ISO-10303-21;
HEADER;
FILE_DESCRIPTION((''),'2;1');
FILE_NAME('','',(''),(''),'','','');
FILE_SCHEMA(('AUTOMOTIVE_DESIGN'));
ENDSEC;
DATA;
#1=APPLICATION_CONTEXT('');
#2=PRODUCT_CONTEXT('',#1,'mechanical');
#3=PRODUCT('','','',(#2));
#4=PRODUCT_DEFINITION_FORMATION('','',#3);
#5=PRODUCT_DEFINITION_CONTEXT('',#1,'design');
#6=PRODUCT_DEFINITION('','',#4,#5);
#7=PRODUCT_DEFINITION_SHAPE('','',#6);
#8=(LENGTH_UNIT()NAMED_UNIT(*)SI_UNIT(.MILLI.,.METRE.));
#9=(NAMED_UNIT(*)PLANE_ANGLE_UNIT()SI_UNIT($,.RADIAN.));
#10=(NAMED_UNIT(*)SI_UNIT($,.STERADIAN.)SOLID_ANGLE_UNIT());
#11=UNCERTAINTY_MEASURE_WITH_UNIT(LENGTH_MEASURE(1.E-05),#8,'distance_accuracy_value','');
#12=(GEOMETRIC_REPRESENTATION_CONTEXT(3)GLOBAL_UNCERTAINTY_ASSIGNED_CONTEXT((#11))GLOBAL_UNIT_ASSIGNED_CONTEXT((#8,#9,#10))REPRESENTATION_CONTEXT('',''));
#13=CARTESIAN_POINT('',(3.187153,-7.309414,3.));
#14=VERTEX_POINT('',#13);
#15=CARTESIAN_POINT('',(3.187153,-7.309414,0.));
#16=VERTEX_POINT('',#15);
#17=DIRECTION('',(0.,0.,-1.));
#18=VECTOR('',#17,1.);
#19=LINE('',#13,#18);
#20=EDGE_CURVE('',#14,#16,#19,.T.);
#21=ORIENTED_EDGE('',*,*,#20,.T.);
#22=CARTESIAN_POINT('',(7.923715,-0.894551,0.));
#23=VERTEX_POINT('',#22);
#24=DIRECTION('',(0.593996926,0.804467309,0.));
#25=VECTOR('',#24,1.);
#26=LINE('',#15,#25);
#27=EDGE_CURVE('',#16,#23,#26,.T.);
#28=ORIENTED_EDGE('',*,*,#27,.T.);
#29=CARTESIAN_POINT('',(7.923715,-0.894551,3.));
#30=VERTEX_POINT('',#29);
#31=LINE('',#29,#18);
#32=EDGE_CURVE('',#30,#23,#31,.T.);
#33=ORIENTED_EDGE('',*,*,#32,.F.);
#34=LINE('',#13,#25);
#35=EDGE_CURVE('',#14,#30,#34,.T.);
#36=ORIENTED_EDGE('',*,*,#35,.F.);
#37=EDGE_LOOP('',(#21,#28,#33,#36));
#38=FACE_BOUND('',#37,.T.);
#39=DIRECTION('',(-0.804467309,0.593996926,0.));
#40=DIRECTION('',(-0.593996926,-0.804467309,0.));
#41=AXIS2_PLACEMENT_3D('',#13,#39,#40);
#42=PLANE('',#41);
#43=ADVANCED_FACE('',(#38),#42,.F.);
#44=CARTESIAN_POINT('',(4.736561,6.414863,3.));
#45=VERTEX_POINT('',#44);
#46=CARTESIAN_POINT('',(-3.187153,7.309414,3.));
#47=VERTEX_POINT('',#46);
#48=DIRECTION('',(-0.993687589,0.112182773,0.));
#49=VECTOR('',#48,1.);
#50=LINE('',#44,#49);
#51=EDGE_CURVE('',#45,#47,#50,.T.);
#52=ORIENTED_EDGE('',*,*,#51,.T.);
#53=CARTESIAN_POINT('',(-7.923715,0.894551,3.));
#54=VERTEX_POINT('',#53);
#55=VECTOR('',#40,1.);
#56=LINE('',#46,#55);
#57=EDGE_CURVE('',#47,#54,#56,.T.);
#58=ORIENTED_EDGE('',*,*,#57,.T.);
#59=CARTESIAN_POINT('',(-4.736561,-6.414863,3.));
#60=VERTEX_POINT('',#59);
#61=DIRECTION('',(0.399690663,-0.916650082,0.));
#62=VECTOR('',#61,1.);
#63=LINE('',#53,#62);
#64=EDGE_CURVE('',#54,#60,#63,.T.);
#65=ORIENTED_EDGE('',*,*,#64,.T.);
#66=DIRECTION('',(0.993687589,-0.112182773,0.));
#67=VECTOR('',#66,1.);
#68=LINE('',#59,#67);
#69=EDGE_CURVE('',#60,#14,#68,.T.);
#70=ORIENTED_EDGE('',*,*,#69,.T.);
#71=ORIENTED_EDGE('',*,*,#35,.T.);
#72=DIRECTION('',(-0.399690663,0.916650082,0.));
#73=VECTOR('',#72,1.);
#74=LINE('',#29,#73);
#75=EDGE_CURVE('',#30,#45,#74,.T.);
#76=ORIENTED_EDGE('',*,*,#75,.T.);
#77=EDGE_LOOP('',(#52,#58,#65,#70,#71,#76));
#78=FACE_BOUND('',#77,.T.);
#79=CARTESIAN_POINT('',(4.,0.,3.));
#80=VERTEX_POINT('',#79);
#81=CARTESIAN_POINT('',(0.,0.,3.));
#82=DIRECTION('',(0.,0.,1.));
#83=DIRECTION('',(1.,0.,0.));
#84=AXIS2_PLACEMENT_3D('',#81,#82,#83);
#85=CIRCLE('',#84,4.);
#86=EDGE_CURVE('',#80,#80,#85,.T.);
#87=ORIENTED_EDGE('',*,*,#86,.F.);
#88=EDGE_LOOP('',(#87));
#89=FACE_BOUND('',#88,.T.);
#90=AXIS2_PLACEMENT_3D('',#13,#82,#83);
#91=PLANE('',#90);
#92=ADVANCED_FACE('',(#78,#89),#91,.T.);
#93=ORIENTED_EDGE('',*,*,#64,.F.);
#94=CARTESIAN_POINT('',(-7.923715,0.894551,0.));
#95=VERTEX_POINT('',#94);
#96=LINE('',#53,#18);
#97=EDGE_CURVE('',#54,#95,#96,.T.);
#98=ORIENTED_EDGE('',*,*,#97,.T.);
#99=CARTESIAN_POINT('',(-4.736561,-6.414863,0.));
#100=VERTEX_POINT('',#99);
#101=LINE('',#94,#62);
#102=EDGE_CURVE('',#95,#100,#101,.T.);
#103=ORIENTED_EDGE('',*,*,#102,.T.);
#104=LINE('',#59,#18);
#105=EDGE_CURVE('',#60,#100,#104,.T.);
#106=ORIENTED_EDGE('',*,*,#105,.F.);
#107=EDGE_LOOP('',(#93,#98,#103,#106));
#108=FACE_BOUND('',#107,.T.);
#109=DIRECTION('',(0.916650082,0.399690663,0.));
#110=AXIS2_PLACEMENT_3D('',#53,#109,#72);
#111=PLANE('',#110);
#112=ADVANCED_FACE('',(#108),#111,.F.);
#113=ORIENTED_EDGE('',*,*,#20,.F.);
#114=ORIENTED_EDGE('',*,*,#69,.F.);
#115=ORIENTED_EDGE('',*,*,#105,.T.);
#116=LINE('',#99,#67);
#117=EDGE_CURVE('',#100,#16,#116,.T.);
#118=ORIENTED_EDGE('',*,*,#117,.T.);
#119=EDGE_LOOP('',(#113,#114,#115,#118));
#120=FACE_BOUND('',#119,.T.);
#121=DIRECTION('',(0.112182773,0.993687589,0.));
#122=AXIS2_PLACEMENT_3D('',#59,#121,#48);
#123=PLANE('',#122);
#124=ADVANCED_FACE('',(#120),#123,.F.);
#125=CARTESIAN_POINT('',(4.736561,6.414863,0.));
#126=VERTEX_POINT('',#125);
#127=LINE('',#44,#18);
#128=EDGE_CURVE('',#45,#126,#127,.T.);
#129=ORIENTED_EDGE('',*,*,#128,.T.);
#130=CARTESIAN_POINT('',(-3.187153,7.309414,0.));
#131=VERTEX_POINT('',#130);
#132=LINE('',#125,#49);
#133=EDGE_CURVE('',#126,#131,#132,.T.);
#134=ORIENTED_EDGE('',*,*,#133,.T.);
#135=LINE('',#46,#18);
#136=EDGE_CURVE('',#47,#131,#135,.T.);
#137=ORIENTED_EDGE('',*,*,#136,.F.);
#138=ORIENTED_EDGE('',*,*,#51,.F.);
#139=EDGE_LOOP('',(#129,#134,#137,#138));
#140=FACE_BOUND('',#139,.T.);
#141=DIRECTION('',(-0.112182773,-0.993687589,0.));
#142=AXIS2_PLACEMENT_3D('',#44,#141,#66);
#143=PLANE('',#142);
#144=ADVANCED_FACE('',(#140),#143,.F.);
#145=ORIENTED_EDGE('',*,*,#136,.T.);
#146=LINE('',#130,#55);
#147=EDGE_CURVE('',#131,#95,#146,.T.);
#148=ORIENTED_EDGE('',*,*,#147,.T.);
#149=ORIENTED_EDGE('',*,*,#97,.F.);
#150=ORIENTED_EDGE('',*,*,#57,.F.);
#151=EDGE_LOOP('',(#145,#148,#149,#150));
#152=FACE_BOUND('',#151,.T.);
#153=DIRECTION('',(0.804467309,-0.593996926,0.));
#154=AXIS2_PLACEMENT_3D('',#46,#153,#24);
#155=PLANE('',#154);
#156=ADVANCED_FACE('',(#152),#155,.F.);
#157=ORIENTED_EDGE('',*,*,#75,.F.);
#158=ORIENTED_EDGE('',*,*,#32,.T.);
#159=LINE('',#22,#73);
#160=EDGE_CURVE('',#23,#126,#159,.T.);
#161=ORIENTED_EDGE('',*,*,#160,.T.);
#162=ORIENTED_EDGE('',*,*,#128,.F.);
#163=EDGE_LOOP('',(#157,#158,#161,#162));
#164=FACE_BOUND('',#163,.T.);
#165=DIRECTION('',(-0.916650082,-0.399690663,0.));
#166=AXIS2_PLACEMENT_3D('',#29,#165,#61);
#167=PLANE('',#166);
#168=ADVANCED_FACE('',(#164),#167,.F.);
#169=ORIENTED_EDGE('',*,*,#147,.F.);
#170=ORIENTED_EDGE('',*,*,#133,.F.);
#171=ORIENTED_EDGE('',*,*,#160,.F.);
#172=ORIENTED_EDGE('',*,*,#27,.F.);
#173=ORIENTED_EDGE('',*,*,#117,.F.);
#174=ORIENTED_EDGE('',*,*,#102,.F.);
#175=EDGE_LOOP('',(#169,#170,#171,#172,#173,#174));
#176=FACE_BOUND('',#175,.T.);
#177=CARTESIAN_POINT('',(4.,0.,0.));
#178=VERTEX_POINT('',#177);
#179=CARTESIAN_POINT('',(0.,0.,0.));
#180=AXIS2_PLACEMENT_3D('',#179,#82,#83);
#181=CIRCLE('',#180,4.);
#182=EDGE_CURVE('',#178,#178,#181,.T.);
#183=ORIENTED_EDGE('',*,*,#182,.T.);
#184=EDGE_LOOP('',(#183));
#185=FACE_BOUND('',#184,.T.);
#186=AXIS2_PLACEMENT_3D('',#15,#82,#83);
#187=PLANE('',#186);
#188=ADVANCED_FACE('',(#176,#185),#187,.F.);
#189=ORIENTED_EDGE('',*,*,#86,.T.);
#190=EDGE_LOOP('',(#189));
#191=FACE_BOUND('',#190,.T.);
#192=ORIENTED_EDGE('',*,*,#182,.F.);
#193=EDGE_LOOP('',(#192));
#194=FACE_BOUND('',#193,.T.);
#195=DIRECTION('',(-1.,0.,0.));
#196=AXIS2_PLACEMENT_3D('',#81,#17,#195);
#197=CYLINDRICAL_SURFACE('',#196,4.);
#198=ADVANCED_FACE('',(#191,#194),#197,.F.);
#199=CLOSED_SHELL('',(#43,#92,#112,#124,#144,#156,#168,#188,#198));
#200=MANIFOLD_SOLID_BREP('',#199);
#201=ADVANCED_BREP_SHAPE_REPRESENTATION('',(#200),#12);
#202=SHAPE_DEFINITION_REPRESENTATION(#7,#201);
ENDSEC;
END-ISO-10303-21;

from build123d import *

# Parameters (mm, degrees)
SKETCH_1_R      = 4
EXTRUDE_2_DEPTH = 3


with BuildPart() as part:
    # 草图1 → 凸台-拉伸2 (new body)
    with BuildSketch(Plane.XY):
        Polygon((3.187153464, -7.309413891), (7.923714848, -0.894551079), (4.736561384, 6.414862811), (-3.187153464, 7.309413891), (-7.923714848, 0.894551079), (-4.736561384, -6.414862811), align=None)
        Circle(SKETCH_1_R, mode=Mode.SUBTRACT)
    extrude(amount=EXTRUDE_2_DEPTH)


solid = part.part
